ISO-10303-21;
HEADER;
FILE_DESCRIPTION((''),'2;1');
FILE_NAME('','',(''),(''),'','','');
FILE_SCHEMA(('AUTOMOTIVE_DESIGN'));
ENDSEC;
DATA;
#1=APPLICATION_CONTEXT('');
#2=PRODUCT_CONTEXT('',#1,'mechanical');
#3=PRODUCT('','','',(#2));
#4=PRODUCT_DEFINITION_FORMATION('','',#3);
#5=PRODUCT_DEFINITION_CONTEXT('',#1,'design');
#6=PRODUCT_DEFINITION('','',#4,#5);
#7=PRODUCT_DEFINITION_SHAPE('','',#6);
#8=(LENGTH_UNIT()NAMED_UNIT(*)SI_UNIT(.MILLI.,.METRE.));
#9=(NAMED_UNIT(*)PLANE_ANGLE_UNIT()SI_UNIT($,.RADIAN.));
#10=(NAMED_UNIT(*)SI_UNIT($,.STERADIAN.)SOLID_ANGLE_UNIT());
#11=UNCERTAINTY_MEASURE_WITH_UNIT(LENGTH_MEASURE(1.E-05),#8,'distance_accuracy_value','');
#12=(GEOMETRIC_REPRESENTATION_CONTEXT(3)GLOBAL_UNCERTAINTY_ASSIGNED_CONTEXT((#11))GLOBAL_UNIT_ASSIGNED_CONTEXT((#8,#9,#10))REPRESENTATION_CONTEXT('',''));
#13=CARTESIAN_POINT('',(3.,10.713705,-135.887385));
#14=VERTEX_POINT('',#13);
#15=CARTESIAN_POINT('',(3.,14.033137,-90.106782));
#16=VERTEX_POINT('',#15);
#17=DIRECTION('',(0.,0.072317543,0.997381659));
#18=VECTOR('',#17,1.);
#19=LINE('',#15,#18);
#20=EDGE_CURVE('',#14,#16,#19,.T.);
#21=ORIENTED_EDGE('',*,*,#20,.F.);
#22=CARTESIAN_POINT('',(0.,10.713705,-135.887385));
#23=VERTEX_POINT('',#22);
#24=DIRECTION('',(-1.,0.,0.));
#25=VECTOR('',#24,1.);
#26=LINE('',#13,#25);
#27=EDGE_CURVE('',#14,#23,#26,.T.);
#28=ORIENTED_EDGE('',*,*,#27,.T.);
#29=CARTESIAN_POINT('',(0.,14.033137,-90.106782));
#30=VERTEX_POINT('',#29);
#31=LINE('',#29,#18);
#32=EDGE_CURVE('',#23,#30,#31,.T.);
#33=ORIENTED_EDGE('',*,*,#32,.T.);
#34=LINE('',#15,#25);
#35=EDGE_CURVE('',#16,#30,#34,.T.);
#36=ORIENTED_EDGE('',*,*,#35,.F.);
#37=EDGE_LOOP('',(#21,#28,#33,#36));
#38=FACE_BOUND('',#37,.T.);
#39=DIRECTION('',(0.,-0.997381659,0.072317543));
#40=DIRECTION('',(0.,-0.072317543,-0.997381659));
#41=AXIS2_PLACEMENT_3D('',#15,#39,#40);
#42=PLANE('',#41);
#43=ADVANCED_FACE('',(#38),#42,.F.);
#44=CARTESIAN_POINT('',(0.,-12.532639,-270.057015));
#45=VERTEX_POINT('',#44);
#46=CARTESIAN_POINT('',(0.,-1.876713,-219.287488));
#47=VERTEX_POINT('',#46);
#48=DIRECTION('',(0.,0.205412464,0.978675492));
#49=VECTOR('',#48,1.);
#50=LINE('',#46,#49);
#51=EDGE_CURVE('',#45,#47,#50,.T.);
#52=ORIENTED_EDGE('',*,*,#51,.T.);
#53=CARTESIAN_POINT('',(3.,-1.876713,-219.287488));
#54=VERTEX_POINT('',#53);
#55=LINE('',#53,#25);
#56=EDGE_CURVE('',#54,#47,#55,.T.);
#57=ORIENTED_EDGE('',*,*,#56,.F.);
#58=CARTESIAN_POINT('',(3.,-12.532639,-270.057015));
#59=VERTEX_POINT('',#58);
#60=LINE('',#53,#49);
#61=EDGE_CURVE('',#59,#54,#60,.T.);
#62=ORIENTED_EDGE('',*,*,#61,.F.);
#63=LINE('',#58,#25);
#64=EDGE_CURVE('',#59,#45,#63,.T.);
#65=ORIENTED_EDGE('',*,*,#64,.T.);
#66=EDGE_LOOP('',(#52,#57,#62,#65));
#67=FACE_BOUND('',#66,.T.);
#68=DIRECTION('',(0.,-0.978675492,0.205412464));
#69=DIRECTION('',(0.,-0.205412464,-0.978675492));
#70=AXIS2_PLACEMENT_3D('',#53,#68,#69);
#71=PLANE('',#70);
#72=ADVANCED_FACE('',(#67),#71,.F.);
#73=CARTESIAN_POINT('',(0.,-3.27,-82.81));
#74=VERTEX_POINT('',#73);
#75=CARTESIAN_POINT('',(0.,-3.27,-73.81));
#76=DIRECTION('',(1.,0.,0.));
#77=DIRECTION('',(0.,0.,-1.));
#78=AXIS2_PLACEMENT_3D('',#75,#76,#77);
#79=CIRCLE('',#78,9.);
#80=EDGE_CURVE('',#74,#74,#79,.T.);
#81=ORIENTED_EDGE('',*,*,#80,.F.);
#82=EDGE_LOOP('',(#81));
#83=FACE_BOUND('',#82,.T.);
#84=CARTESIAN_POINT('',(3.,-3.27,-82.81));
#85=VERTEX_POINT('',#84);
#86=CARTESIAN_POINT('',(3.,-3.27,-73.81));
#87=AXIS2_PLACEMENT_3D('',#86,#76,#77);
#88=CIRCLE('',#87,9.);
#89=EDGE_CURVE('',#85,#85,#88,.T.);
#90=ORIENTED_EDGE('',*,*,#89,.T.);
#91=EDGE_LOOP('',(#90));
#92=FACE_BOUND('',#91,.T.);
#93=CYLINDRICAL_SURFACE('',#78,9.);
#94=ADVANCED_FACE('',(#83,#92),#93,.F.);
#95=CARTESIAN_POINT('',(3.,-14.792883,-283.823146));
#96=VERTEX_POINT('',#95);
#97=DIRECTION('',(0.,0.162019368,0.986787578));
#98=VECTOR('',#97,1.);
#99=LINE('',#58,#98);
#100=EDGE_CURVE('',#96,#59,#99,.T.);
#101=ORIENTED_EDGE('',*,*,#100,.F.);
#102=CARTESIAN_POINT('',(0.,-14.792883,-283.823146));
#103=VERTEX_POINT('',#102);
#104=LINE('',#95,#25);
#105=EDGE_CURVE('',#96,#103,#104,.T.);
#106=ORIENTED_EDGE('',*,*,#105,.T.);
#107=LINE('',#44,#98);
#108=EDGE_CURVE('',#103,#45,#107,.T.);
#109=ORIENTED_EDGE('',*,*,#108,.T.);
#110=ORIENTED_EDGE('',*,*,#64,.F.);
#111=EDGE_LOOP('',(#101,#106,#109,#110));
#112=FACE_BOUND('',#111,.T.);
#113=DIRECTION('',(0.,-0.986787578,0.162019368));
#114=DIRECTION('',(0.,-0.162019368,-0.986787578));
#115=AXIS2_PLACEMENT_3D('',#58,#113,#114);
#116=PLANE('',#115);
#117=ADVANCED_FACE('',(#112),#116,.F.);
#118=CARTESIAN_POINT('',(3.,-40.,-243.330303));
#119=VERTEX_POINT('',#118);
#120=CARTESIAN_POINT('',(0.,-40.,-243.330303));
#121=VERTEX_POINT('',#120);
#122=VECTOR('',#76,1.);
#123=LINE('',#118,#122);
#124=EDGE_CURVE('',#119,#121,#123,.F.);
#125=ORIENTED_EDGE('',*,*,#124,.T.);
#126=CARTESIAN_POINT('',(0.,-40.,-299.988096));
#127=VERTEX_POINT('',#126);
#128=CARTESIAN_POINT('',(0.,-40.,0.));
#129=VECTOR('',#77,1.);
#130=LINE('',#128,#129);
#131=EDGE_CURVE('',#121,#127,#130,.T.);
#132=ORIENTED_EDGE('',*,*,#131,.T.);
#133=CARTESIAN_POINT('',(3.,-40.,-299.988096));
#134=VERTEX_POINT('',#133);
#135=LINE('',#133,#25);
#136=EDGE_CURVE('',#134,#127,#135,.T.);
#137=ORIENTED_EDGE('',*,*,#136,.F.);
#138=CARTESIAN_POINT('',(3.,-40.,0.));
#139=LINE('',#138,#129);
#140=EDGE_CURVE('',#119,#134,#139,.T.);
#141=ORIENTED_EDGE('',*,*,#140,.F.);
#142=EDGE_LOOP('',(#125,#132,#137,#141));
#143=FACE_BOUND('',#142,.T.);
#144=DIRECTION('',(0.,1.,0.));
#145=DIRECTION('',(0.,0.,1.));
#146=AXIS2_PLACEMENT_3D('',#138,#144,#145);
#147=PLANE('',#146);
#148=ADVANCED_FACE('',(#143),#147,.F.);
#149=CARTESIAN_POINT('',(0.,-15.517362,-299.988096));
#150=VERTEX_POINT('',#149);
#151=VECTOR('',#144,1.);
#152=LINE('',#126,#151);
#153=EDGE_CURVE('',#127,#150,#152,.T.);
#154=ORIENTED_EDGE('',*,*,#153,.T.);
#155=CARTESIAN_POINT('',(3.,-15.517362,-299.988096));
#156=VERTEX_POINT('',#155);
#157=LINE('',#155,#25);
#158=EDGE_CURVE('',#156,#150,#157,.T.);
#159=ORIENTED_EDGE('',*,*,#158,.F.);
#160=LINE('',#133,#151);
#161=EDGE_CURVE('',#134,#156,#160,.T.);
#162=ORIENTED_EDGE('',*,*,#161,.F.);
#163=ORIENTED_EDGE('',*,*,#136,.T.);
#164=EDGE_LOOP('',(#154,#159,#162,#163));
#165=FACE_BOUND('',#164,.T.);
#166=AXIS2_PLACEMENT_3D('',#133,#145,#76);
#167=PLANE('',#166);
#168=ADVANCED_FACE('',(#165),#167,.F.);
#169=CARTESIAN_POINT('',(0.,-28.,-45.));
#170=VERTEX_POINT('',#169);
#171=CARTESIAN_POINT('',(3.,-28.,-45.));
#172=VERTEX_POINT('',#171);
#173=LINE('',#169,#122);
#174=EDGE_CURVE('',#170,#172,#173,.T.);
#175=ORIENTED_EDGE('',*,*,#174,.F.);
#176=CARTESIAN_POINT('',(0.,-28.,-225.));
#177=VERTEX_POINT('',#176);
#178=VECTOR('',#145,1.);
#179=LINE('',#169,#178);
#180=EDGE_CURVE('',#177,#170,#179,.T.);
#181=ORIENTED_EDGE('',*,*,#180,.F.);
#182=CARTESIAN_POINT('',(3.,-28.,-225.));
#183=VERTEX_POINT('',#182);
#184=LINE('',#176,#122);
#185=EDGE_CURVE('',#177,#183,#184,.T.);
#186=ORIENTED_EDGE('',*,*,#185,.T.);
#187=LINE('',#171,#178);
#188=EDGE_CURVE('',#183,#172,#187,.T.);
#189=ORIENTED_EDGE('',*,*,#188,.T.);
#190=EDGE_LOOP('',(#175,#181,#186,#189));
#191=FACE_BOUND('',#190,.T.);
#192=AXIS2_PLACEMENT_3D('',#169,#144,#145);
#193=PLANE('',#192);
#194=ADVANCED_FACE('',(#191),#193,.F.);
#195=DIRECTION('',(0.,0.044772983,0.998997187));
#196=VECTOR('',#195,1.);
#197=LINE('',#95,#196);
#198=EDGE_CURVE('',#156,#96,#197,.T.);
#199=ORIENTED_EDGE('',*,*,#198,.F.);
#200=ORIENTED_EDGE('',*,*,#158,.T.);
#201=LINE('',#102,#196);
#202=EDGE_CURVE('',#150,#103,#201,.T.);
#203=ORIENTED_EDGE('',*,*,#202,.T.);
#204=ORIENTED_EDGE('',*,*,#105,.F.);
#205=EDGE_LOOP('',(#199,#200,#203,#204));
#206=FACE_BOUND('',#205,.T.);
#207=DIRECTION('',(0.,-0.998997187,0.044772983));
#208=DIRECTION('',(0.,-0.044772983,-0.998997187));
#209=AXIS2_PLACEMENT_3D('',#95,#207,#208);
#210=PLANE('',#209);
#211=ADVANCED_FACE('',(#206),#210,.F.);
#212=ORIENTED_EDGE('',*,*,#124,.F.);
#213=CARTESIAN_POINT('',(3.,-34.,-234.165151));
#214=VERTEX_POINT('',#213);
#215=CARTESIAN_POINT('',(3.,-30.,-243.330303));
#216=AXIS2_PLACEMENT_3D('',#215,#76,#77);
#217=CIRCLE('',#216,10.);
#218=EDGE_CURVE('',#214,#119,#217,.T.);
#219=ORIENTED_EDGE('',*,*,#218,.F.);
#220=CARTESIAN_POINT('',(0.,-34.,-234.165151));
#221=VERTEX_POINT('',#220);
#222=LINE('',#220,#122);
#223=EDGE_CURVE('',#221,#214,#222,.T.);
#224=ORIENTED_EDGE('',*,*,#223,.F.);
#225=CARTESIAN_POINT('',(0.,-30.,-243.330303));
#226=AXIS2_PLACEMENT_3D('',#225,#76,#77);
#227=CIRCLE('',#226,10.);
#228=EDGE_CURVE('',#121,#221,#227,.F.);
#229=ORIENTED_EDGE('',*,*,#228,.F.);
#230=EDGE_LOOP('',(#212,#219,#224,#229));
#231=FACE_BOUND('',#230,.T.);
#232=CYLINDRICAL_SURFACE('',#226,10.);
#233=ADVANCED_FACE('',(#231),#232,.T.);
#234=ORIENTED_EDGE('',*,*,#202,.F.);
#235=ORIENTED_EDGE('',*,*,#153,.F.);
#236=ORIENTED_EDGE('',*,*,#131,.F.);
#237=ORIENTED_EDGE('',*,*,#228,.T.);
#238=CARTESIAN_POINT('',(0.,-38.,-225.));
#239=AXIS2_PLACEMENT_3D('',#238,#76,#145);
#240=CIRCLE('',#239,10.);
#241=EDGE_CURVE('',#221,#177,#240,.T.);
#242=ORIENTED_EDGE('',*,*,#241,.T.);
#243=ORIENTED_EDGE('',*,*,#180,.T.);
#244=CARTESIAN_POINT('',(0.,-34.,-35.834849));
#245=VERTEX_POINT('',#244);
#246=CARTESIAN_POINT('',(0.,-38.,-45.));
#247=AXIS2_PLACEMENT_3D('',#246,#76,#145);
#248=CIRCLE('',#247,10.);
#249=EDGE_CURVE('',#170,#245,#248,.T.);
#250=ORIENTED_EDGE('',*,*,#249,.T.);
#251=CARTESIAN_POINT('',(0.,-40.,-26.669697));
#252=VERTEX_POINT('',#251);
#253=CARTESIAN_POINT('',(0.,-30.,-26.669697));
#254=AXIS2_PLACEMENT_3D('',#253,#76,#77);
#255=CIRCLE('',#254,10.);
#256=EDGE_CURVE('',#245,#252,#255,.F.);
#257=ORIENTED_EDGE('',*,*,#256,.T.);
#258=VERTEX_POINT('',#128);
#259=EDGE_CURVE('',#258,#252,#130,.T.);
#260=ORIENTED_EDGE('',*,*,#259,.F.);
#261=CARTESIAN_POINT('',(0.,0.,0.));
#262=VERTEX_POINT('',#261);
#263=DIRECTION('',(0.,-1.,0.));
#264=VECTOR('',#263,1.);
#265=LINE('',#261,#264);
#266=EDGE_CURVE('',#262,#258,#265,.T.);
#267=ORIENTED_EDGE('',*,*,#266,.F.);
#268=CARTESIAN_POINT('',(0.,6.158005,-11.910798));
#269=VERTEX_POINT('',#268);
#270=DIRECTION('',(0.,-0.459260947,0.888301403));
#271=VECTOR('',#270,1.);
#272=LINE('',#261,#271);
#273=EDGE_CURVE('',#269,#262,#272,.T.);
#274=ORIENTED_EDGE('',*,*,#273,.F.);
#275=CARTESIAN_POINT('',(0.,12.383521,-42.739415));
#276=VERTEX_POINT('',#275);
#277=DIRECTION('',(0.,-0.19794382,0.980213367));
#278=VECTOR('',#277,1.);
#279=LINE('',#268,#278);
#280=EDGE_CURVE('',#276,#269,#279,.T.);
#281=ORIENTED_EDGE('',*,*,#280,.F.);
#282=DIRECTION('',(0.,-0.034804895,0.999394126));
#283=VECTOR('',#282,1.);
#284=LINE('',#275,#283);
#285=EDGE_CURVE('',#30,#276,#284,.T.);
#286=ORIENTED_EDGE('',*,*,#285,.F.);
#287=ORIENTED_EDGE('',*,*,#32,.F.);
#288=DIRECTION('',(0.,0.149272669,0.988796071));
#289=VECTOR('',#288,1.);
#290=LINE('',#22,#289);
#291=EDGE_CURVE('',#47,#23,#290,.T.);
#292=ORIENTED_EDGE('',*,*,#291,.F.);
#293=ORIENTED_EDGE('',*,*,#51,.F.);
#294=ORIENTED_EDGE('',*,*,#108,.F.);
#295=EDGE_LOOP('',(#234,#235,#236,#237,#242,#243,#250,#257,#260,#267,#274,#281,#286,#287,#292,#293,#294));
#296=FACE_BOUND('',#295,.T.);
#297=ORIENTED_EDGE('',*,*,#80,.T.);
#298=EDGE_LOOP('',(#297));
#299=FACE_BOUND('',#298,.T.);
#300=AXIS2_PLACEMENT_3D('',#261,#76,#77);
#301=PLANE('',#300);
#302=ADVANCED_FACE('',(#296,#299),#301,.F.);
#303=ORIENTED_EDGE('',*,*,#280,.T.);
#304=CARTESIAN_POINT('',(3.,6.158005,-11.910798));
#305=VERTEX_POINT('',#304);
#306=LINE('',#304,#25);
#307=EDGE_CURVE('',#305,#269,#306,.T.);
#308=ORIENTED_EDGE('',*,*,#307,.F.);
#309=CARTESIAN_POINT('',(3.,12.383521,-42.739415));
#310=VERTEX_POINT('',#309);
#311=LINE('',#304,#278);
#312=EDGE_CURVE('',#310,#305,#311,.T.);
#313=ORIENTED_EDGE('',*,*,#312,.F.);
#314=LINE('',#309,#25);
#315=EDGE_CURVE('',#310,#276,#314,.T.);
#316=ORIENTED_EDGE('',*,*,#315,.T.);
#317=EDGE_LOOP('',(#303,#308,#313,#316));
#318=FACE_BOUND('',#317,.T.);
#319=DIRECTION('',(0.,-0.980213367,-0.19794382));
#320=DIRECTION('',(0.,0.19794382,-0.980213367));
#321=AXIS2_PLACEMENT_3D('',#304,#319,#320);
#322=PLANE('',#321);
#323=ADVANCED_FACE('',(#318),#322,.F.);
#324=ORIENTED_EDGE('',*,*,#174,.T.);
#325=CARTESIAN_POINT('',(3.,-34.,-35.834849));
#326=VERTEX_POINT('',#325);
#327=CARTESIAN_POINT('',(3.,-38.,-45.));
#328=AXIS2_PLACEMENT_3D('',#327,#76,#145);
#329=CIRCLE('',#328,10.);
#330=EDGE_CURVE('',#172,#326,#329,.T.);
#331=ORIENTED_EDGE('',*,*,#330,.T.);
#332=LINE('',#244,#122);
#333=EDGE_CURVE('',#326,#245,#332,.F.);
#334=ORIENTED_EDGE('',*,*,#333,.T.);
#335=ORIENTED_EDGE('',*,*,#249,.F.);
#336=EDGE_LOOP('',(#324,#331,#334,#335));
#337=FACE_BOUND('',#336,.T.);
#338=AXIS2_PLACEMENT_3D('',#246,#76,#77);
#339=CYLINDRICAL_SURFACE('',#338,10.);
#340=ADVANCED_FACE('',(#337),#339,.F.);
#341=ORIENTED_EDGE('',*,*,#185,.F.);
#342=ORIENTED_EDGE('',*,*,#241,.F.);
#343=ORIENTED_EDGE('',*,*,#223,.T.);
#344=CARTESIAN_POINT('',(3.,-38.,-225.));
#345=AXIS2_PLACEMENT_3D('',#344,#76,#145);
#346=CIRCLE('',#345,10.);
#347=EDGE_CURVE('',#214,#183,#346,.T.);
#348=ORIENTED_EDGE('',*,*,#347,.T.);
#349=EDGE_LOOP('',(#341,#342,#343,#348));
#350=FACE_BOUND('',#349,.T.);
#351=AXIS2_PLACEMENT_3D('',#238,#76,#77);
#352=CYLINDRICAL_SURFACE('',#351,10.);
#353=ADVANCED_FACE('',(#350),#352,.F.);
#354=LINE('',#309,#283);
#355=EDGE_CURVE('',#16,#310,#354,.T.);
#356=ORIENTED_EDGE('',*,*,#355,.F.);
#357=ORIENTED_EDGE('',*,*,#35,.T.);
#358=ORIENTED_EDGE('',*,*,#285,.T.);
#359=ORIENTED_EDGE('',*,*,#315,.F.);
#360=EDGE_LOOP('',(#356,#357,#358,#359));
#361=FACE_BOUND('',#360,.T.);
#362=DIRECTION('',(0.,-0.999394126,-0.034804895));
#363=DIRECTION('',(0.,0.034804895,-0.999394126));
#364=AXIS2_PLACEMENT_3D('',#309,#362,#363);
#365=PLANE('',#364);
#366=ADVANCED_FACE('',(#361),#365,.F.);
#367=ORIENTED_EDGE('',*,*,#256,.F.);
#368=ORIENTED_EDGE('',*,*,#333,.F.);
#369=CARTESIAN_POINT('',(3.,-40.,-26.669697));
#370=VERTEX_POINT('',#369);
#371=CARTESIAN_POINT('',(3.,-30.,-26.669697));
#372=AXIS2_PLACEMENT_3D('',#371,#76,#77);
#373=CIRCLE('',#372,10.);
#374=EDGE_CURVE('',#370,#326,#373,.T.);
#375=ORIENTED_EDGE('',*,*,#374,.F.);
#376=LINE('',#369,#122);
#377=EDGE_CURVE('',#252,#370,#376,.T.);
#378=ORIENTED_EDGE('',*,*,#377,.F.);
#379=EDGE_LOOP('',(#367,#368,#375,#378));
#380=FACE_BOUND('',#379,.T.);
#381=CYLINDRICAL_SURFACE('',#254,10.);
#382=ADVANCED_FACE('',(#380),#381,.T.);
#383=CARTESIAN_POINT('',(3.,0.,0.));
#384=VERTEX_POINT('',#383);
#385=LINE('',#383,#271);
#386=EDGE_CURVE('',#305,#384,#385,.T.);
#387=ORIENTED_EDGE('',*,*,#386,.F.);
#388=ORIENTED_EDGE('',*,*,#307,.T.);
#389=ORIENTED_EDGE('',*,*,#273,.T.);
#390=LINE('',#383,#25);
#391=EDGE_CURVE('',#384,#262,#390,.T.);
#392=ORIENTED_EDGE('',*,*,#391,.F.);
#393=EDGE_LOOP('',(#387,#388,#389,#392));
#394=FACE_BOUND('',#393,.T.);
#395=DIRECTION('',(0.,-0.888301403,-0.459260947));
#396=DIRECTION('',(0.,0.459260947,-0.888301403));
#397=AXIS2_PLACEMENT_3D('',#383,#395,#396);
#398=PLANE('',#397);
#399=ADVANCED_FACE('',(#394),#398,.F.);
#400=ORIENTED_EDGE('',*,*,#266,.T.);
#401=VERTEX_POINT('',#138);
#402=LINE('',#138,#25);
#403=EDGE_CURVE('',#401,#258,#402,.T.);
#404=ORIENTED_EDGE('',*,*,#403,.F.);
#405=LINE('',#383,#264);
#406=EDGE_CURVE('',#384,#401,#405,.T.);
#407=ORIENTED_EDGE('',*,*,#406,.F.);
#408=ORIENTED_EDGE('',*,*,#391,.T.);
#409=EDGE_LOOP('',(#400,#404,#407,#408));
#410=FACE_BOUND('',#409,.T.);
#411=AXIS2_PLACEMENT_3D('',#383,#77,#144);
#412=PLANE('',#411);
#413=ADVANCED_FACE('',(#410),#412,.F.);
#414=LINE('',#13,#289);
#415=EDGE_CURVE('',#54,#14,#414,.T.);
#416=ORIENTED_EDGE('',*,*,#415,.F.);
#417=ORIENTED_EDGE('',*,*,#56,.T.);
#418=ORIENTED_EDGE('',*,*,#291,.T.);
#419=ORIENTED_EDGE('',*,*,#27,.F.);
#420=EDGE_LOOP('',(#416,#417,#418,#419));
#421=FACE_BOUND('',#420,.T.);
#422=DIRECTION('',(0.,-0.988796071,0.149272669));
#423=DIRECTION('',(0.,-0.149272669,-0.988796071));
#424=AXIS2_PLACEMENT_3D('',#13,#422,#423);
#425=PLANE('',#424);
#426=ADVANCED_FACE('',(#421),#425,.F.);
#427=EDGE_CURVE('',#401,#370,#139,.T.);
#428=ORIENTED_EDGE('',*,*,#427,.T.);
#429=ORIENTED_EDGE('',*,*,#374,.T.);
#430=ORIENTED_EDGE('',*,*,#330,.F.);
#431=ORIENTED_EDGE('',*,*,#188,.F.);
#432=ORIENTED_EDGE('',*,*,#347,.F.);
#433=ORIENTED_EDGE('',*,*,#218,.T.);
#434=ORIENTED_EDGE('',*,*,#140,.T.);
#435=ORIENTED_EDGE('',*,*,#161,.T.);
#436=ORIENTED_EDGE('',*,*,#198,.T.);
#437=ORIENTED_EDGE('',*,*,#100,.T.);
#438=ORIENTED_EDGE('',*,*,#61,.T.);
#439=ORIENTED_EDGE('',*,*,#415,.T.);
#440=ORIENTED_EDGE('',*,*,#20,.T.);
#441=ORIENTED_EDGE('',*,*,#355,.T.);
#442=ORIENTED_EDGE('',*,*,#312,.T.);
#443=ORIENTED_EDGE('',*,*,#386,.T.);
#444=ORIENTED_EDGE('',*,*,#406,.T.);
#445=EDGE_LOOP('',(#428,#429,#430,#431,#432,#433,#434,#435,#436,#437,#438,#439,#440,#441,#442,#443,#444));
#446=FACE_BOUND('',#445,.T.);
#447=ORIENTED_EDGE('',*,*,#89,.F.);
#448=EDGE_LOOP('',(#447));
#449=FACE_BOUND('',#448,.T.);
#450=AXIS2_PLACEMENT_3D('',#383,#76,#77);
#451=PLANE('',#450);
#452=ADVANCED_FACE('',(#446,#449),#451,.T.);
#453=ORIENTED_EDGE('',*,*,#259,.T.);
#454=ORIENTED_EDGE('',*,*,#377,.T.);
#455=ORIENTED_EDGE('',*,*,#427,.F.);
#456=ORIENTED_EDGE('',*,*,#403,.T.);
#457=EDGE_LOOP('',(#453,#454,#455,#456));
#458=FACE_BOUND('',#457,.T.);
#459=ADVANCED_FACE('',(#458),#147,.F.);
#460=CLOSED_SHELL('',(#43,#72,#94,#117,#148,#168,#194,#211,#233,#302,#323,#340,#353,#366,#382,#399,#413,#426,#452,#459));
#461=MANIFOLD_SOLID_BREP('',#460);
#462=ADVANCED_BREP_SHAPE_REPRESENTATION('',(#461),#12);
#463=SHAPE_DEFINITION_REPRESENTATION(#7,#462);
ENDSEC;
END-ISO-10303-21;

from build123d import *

# Parameters (mm, degrees)
BOSS_EXTRUDE1_DEPTH = 3
CUT_EXTRUDE1_DEPTH  = 3
FILLET1_R           = 10
SKETCH3_R           = 9
CUT_EXTRUDE2_DEPTH  = 3


with BuildPart() as part:
    # Sketch1 → Boss-Extrude1 (new body)
    with BuildSketch(Plane(origin=(0, 0, 0), x_dir=(0, 0, -1), z_dir=(1, 0, 0))):
        Polygon((0, 0), (11.910798094, 6.158004928), (42.739414765, 12.383521095), (90.106781804, 14.033136775), (135.887385092, 10.713704644), (219.287488067, -1.876713431), (270.057015241, -12.532639482), (283.823146281, -14.792882614), (299.988096251, -15.517362165), (299.988096251, -40), (0, -40), align=None)
    extrude(amount=BOSS_EXTRUDE1_DEPTH)

    # Sketch2 → Cut-Extrude1 (cut)
    with BuildSketch(Plane(origin=(3, 0, 0), x_dir=(0, 0, -1), z_dir=(1, 0, 0))):
        with BuildLine():
            Line((35, -40), (35, -38))
            ThreePointArc((35, -38), (37.928932188, -30.928932188), (45, -28))
            Line((45, -28), (225, -28))
            ThreePointArc((225, -28), (232.071067812, -30.928932188), (235, -38))
            Line((235, -38), (235, -40))
            Line((235, -40), (35, -40))
        make_face()
    extrude(amount=-CUT_EXTRUDE1_DEPTH, mode=Mode.SUBTRACT)

    # Fillet1
    fillet1_edges = [part.edges().sort_by_distance(p)[0] for p in [
        (1.5, -40, -235),
        (1.5, -40, -35),
    ]]
    fillet(fillet1_edges, radius=FILLET1_R)

    # Sketch3 → Cut-Extrude2 (cut)
    with BuildSketch(Plane(origin=(3, 0, 0), x_dir=(0, 0, -1), z_dir=(1, 0, 0))):
        with Locations((73.81, -3.27)):
            Circle(SKETCH3_R)
    extrude(amount=-CUT_EXTRUDE2_DEPTH, mode=Mode.SUBTRACT)


solid = part.part
